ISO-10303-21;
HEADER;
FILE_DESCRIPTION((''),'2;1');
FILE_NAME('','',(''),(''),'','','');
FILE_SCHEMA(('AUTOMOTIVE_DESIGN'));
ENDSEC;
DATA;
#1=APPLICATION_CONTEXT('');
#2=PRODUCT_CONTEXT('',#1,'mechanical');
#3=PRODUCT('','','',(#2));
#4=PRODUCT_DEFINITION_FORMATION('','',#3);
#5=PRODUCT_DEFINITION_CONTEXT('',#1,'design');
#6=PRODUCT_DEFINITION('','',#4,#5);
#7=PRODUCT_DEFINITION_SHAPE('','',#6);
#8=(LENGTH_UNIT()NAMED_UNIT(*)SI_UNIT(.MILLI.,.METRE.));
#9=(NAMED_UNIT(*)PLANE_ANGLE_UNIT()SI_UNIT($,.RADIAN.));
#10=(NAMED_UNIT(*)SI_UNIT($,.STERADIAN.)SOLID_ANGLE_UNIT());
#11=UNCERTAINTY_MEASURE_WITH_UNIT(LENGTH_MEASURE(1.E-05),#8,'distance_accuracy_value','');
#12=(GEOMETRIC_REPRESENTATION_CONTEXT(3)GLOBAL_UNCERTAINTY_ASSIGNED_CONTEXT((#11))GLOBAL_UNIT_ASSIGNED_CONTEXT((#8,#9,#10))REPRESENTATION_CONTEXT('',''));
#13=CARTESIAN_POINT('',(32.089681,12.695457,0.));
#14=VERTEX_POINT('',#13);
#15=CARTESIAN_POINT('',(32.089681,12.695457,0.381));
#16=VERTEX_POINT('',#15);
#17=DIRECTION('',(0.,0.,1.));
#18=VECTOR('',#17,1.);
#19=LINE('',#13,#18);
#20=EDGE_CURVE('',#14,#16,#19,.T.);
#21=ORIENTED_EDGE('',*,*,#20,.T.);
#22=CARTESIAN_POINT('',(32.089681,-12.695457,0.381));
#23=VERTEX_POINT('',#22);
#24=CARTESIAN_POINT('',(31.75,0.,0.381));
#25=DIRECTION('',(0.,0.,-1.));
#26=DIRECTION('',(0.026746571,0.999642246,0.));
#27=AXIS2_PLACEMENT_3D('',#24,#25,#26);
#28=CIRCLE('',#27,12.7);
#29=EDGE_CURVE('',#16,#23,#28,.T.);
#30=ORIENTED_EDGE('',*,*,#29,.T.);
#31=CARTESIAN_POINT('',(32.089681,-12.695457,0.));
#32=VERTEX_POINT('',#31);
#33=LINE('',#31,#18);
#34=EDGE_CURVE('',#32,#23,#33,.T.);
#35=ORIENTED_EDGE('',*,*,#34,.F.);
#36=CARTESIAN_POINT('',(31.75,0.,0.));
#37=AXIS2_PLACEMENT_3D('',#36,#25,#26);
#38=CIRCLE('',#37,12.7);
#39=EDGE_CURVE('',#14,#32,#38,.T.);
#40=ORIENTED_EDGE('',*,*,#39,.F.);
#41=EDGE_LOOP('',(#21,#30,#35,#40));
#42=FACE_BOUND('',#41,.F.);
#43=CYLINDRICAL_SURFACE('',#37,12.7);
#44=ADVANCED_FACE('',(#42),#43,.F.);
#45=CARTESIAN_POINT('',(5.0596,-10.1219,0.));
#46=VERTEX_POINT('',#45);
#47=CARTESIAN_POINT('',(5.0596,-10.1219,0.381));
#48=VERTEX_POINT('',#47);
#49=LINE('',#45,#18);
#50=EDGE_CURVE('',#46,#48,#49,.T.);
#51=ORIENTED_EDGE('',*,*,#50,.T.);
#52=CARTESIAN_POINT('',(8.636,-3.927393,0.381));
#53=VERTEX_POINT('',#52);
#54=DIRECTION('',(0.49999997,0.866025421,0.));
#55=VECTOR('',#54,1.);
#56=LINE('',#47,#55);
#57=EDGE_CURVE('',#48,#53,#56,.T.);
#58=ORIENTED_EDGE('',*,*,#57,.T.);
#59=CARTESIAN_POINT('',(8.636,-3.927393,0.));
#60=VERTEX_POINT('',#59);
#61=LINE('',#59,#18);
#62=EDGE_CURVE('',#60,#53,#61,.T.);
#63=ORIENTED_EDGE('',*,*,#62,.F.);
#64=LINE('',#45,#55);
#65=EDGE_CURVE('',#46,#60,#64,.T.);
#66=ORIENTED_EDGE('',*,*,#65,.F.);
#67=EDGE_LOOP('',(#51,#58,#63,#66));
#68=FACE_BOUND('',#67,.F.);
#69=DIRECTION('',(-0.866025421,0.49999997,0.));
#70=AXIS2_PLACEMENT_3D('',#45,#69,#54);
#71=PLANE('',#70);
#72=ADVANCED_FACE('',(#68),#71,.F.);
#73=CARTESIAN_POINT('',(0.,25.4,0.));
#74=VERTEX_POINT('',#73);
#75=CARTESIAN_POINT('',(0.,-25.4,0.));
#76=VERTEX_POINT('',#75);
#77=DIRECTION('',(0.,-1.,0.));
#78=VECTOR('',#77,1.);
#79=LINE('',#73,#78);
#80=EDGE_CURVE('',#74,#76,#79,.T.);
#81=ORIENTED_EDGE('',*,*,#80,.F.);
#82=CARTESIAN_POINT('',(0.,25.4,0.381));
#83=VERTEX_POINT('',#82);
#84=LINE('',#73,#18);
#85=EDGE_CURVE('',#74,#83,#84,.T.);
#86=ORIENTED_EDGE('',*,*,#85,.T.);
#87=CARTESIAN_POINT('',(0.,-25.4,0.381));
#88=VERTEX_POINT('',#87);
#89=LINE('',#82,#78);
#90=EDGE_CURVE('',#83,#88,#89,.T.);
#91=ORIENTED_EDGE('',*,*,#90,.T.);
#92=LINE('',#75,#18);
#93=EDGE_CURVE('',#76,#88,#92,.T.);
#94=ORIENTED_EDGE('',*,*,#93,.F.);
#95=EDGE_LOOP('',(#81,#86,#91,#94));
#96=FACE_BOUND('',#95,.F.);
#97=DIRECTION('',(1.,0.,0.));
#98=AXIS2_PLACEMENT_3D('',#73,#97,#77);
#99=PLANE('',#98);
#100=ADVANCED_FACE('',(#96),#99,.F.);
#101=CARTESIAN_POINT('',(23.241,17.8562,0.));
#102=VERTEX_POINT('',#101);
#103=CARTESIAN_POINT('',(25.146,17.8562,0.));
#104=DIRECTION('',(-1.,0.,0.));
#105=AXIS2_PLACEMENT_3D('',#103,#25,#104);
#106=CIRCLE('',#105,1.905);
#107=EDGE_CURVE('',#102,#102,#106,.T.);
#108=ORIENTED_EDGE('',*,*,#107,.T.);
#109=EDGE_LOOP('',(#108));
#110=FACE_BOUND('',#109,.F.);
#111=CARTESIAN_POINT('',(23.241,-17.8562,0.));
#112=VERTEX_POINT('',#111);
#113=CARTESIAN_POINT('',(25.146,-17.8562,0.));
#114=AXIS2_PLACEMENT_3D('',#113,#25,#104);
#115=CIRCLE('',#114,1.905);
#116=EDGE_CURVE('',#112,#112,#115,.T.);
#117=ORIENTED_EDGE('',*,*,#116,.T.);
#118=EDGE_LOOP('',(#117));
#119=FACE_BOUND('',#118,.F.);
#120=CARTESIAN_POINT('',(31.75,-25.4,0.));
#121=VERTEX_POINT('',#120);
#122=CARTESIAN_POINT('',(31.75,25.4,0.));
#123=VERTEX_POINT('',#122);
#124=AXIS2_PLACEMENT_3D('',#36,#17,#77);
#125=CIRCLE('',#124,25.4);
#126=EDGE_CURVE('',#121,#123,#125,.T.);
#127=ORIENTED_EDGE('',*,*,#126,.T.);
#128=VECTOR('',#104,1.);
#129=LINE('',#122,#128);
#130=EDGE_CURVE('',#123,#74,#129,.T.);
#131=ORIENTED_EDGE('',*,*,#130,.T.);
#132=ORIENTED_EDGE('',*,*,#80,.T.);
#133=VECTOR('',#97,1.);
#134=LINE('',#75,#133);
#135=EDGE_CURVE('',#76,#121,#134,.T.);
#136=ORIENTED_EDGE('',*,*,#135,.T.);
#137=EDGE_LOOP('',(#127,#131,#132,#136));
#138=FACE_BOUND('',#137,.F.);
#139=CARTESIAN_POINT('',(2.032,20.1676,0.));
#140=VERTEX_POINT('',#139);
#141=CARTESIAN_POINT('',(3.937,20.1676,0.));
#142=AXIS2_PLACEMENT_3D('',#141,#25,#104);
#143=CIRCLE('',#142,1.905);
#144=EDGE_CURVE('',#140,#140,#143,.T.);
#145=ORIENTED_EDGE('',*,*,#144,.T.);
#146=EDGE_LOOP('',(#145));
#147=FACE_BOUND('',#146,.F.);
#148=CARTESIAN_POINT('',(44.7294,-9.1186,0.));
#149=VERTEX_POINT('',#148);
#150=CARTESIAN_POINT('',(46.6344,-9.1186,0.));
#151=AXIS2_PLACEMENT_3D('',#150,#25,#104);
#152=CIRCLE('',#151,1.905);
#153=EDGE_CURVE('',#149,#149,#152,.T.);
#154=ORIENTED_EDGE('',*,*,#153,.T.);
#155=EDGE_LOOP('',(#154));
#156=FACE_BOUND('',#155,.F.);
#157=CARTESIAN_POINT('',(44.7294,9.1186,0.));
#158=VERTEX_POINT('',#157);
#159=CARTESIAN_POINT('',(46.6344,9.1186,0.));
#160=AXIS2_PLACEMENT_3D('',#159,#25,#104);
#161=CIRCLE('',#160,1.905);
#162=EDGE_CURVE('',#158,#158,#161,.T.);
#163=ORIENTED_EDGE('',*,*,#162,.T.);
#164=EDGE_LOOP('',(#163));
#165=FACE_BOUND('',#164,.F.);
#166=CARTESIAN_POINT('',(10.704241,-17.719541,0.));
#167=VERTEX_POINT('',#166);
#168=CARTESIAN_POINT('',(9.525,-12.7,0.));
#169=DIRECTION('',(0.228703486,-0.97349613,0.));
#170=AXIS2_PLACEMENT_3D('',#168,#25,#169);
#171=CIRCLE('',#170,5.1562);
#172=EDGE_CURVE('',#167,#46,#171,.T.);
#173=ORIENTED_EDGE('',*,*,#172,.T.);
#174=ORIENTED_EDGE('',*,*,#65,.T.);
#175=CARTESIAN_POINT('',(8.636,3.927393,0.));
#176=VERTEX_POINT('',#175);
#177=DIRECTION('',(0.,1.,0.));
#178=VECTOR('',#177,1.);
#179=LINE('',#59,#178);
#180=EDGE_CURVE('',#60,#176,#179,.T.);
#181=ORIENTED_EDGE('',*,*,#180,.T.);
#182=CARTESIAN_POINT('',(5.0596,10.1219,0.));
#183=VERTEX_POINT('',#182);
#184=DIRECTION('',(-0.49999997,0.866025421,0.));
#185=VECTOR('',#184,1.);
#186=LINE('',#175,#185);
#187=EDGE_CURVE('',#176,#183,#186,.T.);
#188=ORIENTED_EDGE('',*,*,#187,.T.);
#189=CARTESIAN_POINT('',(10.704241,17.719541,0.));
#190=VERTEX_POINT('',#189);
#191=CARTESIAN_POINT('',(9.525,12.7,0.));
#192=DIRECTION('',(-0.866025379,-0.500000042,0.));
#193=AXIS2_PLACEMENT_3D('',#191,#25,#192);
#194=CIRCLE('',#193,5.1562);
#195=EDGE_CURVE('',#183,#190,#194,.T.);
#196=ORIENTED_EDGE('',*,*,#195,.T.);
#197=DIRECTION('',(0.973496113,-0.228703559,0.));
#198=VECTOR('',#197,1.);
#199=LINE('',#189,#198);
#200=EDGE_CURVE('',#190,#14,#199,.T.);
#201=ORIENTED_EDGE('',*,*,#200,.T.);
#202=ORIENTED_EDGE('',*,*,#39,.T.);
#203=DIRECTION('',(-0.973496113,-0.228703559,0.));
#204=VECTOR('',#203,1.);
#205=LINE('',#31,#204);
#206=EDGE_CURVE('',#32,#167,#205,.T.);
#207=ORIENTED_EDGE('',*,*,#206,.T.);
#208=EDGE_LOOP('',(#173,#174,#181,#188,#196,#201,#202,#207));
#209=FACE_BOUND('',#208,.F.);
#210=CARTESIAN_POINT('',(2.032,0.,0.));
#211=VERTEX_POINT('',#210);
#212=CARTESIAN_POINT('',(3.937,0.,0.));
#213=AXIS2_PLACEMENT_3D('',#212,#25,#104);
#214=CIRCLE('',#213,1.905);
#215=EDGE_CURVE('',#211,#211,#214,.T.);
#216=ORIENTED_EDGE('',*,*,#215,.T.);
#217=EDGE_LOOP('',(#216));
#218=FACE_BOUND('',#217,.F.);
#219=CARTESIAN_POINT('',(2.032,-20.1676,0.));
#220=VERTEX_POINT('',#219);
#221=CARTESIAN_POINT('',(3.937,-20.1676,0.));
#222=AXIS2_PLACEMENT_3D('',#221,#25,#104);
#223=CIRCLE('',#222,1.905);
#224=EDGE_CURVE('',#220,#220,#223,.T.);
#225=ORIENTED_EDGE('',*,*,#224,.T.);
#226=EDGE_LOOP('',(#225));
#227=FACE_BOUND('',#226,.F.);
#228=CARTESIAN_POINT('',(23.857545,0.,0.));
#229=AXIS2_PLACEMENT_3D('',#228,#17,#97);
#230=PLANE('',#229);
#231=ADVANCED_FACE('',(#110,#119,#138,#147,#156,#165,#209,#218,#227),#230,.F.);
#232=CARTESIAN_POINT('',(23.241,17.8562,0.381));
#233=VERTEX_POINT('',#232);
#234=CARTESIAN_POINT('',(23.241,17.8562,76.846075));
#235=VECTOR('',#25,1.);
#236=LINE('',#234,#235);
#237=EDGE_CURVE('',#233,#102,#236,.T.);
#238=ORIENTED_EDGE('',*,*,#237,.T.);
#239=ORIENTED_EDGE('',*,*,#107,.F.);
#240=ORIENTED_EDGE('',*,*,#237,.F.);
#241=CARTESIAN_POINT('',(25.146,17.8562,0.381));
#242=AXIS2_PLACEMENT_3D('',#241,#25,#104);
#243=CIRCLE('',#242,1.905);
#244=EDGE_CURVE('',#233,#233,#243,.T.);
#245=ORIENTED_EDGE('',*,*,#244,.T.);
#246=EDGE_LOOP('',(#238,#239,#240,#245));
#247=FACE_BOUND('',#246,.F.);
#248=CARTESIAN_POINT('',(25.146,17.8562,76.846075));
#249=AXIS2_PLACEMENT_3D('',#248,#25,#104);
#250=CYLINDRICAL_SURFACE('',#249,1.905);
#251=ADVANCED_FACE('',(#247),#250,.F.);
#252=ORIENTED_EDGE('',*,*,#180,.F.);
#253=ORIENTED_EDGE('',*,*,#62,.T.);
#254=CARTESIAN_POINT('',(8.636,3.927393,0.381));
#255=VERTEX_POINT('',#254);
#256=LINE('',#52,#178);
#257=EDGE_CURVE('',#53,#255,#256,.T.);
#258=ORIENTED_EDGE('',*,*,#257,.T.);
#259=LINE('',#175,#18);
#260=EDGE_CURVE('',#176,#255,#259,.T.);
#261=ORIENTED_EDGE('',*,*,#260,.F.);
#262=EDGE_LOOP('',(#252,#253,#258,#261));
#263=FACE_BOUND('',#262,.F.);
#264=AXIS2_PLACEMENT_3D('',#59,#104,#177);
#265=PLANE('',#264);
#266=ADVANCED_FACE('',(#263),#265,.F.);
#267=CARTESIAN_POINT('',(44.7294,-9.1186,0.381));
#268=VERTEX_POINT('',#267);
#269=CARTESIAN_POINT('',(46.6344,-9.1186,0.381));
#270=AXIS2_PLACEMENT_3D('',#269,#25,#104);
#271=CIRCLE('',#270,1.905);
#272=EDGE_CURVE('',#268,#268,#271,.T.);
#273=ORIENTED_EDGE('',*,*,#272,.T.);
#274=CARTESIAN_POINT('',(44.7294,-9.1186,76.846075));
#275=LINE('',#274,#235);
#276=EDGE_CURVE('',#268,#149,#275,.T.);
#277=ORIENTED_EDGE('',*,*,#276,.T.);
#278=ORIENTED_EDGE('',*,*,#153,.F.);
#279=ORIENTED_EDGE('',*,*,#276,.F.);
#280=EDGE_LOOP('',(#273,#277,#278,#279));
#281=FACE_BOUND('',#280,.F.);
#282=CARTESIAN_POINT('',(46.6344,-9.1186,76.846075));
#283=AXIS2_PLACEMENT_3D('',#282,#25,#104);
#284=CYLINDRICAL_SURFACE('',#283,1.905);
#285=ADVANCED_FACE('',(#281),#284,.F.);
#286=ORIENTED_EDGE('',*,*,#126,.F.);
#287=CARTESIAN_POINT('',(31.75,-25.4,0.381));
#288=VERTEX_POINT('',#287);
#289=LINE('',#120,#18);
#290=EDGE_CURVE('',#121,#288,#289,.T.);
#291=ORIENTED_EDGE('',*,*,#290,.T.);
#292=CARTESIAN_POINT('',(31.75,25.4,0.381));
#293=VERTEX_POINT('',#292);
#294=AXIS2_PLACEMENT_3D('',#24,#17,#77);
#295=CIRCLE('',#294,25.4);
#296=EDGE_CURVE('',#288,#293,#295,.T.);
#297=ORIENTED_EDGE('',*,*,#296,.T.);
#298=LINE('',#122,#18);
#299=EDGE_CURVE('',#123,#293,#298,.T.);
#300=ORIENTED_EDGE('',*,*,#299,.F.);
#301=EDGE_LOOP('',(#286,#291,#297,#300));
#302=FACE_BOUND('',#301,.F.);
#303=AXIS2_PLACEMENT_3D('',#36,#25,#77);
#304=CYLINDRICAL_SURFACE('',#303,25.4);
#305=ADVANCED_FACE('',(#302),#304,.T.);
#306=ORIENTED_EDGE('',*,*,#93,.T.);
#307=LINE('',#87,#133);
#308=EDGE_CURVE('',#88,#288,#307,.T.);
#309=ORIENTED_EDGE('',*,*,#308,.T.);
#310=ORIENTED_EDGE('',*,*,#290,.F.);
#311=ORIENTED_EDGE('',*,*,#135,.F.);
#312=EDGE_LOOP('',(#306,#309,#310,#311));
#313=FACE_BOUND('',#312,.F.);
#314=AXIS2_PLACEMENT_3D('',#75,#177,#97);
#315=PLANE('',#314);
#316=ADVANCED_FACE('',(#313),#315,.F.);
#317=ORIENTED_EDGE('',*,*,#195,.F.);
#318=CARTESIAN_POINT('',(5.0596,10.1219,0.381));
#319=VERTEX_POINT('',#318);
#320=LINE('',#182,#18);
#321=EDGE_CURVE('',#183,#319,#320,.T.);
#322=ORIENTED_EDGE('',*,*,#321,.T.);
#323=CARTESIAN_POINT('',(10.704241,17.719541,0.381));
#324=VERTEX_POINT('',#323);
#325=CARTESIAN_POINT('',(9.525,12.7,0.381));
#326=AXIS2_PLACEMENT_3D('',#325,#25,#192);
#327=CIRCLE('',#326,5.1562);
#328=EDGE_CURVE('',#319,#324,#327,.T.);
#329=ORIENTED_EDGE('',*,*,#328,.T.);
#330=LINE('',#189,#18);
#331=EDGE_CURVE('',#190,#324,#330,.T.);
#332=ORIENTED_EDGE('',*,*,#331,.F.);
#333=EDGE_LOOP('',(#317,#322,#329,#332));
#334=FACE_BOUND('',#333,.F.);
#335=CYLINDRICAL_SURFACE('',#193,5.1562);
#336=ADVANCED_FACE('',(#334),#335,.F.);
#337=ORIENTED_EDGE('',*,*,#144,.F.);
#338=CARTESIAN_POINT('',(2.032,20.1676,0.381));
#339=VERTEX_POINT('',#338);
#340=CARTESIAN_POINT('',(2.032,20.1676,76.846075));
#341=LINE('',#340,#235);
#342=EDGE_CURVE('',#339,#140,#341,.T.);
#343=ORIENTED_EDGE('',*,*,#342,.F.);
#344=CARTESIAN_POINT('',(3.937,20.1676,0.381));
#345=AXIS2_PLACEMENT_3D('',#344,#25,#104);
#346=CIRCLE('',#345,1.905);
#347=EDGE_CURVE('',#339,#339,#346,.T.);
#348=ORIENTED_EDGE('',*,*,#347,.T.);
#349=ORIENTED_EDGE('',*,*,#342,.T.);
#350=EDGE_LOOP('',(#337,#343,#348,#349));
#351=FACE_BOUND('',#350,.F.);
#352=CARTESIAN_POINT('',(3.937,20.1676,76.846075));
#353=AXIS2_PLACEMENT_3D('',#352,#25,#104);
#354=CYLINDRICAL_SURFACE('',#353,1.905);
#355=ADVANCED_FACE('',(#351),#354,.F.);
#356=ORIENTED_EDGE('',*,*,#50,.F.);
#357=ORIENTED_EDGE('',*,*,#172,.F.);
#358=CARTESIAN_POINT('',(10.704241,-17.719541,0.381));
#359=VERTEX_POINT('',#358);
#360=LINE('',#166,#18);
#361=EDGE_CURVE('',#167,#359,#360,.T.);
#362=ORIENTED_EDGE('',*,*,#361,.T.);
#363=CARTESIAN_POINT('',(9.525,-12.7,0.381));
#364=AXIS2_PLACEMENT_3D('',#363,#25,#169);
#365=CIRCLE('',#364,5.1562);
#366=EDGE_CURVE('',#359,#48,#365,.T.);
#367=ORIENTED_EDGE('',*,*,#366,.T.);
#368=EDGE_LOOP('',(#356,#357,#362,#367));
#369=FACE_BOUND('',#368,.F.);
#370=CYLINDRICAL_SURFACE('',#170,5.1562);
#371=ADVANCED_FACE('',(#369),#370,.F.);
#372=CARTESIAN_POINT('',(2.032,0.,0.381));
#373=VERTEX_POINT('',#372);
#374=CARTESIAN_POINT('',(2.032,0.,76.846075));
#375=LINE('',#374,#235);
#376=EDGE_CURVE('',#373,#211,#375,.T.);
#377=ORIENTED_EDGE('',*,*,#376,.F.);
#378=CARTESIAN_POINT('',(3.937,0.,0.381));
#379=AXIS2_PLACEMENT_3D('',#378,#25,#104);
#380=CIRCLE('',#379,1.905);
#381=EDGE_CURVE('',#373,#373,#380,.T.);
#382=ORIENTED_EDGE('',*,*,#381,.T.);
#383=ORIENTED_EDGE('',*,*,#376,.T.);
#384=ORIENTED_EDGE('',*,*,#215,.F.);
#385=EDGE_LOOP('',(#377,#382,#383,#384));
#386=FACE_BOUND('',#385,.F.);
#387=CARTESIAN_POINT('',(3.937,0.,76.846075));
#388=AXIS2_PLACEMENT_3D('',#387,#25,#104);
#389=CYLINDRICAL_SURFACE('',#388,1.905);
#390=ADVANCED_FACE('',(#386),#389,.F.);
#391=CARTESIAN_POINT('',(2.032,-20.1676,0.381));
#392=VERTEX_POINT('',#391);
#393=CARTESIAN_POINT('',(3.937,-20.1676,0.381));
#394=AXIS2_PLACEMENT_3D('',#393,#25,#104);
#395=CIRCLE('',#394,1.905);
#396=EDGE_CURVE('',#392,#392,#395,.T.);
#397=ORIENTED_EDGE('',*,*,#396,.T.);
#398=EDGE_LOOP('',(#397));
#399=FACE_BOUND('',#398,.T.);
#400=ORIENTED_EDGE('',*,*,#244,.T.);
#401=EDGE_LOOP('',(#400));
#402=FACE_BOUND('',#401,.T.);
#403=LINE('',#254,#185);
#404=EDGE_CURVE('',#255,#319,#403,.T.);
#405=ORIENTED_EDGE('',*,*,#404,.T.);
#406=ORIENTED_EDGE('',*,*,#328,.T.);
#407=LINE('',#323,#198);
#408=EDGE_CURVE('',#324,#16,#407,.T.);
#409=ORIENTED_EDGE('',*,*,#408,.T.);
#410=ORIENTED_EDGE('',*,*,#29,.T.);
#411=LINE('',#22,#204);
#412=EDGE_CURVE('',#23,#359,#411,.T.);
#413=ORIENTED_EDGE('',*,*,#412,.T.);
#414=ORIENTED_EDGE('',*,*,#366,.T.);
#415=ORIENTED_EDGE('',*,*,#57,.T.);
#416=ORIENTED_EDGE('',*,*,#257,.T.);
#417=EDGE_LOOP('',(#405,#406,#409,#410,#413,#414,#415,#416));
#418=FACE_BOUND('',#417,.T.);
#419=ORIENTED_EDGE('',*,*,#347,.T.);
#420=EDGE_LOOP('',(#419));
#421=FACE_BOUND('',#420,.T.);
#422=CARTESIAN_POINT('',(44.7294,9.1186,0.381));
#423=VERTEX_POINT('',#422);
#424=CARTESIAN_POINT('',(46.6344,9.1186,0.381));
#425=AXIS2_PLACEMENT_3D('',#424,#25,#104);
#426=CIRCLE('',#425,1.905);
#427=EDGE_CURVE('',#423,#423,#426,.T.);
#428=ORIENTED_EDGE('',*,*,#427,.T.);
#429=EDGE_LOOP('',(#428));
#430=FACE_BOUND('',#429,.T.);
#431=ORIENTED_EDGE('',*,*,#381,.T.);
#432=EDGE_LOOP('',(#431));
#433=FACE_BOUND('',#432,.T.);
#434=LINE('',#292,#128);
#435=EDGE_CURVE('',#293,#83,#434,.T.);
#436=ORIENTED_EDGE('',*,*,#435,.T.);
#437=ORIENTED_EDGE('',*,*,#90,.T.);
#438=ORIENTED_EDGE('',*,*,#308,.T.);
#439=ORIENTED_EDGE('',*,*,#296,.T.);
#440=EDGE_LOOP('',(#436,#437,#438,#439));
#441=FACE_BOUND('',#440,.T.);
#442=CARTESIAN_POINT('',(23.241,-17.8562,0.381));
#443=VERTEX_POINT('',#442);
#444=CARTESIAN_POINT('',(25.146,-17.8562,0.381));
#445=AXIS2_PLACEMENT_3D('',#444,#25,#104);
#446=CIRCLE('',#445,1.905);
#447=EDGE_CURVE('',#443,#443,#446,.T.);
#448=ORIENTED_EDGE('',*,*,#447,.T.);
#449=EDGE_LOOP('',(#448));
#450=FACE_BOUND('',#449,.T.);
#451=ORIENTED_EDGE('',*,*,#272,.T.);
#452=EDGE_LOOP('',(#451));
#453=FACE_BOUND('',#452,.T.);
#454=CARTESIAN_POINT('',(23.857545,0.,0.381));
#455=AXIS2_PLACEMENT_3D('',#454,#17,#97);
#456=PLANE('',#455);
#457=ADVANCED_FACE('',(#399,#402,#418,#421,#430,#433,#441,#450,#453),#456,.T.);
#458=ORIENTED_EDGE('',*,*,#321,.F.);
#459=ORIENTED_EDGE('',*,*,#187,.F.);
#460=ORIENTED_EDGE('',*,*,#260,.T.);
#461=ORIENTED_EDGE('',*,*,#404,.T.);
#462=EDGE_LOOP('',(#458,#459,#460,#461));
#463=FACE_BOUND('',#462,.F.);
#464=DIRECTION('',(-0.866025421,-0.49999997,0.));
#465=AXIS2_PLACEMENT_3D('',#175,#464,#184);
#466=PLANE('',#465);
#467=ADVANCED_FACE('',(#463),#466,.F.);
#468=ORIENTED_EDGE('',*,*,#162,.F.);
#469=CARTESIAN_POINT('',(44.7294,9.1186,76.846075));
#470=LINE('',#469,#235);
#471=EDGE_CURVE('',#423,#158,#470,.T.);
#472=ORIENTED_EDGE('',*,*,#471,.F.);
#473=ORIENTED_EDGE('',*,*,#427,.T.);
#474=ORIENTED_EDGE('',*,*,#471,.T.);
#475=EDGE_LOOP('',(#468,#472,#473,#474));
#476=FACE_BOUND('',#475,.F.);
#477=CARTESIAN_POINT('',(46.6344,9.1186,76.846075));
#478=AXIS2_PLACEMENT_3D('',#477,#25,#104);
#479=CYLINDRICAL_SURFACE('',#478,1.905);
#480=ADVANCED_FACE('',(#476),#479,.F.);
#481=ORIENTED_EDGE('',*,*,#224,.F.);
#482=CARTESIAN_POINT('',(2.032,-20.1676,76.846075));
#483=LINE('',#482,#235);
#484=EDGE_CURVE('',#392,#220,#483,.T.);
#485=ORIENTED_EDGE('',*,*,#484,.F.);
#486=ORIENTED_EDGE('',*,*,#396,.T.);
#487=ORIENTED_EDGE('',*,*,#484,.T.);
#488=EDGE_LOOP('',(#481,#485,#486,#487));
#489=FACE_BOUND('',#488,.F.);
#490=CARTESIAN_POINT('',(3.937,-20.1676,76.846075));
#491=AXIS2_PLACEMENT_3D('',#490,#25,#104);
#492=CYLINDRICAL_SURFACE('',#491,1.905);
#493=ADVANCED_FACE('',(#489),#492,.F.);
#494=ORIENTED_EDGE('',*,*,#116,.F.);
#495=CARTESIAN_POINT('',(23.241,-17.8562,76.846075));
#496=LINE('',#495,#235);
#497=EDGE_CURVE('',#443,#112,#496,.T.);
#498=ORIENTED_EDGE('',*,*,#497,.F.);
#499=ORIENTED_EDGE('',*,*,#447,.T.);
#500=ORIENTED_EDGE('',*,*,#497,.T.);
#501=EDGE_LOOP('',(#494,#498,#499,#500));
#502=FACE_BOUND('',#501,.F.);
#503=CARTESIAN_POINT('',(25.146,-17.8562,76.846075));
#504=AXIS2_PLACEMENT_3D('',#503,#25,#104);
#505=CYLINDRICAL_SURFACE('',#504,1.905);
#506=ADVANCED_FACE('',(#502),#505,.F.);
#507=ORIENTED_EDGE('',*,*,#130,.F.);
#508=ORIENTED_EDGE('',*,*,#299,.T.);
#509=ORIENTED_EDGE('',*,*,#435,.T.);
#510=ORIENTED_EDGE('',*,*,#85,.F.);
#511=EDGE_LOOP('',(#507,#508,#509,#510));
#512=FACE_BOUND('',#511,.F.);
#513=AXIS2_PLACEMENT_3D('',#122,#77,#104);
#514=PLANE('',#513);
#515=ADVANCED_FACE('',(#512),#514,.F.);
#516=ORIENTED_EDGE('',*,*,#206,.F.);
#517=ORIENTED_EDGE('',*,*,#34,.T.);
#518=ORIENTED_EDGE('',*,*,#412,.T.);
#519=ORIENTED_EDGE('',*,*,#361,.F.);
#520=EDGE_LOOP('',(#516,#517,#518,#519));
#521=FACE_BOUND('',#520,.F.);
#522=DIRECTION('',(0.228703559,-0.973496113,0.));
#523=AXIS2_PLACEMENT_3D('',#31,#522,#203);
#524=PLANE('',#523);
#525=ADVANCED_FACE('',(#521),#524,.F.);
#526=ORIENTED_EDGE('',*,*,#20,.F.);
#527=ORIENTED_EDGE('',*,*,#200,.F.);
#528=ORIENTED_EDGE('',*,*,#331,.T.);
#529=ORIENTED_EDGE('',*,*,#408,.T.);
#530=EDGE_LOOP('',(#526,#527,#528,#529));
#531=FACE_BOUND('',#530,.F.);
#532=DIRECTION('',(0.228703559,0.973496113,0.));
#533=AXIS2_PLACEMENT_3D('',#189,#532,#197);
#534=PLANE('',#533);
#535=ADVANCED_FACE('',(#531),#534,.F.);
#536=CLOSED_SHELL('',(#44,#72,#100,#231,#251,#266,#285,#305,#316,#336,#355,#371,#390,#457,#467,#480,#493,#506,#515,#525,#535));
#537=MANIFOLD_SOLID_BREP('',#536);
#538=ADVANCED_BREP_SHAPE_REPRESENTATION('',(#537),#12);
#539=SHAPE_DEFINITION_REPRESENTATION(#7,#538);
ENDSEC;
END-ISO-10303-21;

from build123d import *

# Parameters (mm, degrees)
F1_DEPTH = 0.381
F3_D     = 3.81


with BuildPart() as f1:
    # F0 (on Top) → F1 (new body)
    with BuildSketch(Plane.XY):
        with BuildLine():
            Line((31.75, 25.4), (0, 25.4))
            Line((0, 25.4), (0, -25.4))
            Line((0, -25.4), (31.75, -25.4))
            ThreePointArc((31.75, -25.4), (57.15, 0), (31.75, 25.4))
        make_face()
        with BuildLine():
            ThreePointArc((32.089681, 12.695457), (44.45, 0), (32.089681, -12.695457))
            Line((32.089681, -12.695457), (10.704241, -17.719541))
            ThreePointArc((10.704241, -17.719541), (5.386069, -15.775004), (5.0596, -10.1219))
            Line((5.0596, -10.1219), (8.636, -3.927393))
            Line((8.636, -3.927393), (8.636, 3.927393))
            Line((8.636, 3.927393), (5.0596, 10.1219))
            ThreePointArc((5.0596, 10.1219), (5.386069, 15.775004), (10.704241, 17.719541))
            Line((10.704241, 17.719541), (32.089681, 12.695457))
        make_face(mode=Mode.SUBTRACT)
    extrude(amount=F1_DEPTH)

    # F3 (through all)
    with Locations(Plane.XY.offset(0.381)):
        with Locations((3.937, 20.1676), (3.937, 0), (3.937, -20.1676), (25.146, -17.8562), (46.6344, -9.1186), (46.6344, 9.1186), (25.146, 17.8562)):
            Hole(F3_D / 2)


solid = f1.part
